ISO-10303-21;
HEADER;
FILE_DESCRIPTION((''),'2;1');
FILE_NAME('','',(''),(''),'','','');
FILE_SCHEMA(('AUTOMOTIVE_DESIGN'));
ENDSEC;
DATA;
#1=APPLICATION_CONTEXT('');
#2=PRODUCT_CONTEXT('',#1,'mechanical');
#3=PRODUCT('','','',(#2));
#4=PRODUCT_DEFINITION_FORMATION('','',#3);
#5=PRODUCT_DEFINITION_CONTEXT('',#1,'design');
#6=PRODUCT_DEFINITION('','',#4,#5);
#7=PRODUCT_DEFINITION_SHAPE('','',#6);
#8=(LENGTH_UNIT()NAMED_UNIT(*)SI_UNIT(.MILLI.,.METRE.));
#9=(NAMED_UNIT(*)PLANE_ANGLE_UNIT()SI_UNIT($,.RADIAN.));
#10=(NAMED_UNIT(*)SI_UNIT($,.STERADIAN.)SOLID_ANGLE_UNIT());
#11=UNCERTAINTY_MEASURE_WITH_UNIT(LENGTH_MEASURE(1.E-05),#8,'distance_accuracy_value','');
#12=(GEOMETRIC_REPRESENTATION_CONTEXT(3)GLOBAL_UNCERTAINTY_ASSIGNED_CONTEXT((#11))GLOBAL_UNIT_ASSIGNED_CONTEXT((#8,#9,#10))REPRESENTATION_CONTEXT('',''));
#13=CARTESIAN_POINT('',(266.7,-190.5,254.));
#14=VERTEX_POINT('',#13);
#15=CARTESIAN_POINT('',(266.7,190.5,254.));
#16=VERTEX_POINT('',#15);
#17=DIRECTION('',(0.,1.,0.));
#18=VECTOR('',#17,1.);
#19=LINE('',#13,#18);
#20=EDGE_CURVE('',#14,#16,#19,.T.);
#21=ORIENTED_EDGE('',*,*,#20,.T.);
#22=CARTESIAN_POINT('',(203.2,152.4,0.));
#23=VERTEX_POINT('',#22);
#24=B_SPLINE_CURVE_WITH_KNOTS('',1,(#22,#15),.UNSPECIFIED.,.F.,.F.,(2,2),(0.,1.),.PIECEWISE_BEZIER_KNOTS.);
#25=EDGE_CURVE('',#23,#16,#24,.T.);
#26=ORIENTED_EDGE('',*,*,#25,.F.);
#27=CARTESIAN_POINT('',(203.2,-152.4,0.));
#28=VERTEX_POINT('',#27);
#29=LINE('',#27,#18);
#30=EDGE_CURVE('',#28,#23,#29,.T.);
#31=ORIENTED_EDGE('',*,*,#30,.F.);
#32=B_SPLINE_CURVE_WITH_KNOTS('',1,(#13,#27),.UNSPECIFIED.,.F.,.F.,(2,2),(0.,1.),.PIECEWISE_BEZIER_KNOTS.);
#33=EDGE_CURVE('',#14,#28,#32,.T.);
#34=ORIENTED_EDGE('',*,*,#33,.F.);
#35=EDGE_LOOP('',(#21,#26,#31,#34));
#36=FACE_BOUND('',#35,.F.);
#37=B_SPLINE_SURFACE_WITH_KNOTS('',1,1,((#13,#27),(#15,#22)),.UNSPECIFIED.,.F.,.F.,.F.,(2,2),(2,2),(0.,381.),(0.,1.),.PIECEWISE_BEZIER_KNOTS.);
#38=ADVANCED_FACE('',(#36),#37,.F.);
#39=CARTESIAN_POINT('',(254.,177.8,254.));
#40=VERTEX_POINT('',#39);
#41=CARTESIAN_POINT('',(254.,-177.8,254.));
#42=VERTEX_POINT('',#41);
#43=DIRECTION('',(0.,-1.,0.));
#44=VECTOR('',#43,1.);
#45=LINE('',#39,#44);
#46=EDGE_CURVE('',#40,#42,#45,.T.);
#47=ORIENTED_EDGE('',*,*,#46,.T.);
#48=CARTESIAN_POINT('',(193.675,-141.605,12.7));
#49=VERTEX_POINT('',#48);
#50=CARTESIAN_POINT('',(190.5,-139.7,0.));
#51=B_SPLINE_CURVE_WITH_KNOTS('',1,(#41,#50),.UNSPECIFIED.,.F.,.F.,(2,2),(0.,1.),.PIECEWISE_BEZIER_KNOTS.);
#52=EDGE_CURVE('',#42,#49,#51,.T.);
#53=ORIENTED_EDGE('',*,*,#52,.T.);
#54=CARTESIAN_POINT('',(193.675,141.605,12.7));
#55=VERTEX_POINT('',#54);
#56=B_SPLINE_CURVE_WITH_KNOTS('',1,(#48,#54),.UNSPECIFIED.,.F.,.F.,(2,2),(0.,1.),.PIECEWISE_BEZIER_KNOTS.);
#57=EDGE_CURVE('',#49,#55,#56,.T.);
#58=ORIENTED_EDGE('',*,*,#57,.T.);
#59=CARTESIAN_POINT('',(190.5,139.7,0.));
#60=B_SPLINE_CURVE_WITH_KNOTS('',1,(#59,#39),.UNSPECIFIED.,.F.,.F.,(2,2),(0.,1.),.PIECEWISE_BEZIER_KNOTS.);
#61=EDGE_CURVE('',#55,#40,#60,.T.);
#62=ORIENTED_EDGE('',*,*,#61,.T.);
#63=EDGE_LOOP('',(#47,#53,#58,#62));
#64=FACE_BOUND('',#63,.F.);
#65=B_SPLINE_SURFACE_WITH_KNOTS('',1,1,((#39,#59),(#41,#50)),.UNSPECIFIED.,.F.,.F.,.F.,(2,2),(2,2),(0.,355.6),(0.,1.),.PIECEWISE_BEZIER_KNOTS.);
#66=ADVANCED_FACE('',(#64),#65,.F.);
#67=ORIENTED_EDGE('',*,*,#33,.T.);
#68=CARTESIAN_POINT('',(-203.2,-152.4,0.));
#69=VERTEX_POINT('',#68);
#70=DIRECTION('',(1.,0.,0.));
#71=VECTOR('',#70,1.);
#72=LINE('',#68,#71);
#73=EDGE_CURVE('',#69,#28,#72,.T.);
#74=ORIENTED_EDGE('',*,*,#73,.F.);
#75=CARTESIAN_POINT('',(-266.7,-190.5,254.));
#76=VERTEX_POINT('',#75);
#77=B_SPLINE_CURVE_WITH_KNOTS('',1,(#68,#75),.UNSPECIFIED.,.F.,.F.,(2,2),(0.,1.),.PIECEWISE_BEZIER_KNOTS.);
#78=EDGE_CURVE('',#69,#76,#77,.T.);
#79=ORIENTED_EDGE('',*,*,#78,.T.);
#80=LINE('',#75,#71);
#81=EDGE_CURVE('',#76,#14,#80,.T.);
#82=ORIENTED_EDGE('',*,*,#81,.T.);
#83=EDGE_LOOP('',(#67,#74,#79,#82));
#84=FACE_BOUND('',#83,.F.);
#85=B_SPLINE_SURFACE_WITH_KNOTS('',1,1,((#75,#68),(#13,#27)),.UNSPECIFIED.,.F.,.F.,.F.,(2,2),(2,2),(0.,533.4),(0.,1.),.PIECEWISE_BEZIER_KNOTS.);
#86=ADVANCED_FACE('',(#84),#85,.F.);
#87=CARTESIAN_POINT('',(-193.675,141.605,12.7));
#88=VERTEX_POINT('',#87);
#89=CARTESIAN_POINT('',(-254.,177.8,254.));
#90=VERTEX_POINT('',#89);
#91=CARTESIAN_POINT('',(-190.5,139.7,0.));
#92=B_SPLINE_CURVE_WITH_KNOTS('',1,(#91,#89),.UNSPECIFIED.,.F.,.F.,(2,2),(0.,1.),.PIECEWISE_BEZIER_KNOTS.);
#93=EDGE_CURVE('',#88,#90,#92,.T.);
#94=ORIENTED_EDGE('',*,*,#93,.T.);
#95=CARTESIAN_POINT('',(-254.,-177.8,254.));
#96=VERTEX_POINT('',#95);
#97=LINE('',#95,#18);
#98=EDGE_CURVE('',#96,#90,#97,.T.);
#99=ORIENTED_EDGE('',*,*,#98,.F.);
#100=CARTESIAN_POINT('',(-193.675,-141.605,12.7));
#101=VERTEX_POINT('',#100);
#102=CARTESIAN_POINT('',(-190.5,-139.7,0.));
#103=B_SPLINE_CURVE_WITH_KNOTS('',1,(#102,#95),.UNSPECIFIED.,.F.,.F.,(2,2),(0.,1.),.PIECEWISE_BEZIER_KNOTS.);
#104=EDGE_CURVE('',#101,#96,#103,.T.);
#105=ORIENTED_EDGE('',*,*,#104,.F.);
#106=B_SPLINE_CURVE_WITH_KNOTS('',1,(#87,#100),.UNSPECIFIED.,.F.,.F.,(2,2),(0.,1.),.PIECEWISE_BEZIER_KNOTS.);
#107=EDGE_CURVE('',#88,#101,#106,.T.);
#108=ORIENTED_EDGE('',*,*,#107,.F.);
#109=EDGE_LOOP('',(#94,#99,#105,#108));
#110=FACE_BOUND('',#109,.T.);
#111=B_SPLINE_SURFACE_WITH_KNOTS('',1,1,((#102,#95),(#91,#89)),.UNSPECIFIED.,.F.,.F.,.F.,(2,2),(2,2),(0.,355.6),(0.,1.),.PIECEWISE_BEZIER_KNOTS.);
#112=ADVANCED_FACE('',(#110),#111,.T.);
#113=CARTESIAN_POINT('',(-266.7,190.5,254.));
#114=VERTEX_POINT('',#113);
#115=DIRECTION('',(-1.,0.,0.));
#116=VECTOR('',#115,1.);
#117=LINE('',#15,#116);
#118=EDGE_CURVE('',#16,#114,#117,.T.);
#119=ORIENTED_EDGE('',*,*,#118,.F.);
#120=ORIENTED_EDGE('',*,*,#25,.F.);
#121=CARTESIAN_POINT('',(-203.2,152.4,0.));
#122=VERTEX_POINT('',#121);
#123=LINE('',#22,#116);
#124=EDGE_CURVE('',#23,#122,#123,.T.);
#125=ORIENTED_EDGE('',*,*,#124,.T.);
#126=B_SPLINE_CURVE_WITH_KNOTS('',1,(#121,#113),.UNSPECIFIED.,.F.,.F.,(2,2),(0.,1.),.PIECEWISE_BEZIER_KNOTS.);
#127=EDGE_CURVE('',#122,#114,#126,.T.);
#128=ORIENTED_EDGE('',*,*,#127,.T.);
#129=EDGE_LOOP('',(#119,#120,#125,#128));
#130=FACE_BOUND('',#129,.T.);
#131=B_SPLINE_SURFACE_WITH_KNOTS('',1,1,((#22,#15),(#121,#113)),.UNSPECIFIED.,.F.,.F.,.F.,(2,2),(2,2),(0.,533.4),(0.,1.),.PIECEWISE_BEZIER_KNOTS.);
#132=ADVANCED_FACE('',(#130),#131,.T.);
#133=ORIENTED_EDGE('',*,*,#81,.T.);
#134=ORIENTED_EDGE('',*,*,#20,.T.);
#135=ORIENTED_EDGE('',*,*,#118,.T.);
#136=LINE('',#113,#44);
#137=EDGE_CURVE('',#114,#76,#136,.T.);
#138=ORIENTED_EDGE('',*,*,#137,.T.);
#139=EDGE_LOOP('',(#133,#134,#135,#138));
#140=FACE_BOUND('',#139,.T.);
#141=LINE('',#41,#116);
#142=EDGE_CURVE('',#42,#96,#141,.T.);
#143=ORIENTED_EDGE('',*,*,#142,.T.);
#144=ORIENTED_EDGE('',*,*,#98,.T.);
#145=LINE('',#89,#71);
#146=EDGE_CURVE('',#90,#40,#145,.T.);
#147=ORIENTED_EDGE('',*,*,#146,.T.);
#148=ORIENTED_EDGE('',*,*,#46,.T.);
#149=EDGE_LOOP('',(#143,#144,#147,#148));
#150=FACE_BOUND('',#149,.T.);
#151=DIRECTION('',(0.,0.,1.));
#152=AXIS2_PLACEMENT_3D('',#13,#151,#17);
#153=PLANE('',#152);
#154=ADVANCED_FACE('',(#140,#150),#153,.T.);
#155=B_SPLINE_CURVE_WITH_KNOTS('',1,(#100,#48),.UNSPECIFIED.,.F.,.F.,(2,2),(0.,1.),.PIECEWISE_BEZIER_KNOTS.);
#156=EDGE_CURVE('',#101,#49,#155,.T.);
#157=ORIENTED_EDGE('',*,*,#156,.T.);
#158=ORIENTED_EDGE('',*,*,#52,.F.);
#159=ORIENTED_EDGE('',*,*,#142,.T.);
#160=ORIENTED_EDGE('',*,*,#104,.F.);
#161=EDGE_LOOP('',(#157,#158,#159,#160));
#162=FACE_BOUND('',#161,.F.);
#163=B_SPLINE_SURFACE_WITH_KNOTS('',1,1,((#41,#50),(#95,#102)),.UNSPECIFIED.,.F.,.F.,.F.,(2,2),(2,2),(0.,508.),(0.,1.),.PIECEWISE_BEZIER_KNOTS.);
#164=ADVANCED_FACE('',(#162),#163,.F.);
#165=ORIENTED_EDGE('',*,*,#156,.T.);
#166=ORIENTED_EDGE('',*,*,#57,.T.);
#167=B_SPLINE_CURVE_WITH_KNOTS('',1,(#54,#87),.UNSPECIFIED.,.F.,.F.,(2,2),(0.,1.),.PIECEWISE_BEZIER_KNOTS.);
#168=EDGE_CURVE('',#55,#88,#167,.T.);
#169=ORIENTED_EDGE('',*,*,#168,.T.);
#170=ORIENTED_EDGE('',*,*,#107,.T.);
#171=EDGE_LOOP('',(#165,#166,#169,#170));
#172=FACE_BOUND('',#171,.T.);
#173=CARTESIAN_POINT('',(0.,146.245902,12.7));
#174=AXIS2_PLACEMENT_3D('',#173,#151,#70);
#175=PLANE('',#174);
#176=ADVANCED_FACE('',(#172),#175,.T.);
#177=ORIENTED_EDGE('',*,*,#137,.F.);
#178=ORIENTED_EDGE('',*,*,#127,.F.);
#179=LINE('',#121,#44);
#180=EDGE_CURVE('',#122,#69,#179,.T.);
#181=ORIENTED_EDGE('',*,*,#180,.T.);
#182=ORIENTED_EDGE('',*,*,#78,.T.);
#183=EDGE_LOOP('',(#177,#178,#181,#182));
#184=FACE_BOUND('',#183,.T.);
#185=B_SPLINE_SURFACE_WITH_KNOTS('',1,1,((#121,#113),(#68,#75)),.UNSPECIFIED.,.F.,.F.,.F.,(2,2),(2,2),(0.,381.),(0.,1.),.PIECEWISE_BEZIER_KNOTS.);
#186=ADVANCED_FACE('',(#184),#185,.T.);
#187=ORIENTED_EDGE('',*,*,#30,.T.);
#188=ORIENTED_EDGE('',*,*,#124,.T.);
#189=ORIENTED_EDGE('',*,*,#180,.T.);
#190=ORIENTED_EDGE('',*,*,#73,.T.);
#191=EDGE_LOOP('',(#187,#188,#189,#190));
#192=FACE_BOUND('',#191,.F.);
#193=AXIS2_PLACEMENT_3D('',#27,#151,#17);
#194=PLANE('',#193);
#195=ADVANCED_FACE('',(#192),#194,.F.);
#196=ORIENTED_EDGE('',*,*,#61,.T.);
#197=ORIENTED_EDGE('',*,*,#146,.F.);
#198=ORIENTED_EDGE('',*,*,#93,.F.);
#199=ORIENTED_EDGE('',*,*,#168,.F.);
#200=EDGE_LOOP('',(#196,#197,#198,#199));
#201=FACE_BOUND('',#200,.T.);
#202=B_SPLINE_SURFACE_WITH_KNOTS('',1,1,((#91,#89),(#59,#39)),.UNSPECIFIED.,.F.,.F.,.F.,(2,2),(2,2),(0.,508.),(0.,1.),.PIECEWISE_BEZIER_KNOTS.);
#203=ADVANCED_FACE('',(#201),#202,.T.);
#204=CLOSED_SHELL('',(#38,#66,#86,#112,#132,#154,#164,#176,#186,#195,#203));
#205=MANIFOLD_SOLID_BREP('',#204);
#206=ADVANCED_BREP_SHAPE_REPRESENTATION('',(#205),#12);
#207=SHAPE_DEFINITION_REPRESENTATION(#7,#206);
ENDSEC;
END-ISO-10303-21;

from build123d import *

# Parameters (mm, degrees)
F0_W     = 381
F0_H     = 279.4
F7_DEPTH = 12.7


with BuildPart() as f3:
    # F0 (on Top) → F3 section 0
    with BuildSketch(Plane.XY):
        Polygon((203.2, 152.4), (-203.2, 152.4), (-190.5, 139.7), (190.5, 139.7), align=None)
    # F2 (on offset) → F3 section 1
    with BuildSketch(Plane.XY.offset(254)):
        Polygon((266.7, 190.5), (-266.7, 190.5), (-254, 177.8), (254, 177.8), align=None)
    loft()

    # F0 (on Top) → F4 section 0
    with BuildSketch(Plane.XY):
        Polygon((-190.5, 139.7), (-203.2, 152.4), (-203.2, -152.4), (-190.5, -139.7), align=None)
    # F2 (on offset) → F4 section 1
    with BuildSketch(Plane.XY.offset(254)):
        Polygon((-254, 177.8), (-266.7, 190.5), (-266.7, -190.5), (-254, -177.8), align=None)
    loft()

    # F2 (on offset) → F5 section 0
    with BuildSketch(Plane.XY.offset(254)):
        Polygon((-254, -177.8), (-266.7, -190.5), (266.7, -190.5), (254, -177.8), align=None)
    # F0 (on Top) → F5 section 1
    with BuildSketch(Plane.XY):
        Polygon((-190.5, -139.7), (-203.2, -152.4), (203.2, -152.4), (190.5, -139.7), align=None)
    loft()

    # F2 (on offset) → F6 section 0
    with BuildSketch(Plane.XY.offset(254)):
        Polygon((266.7, -190.5), (266.7, 190.5), (254, 177.8), (254, -177.8), align=None)
    # F0 (on Top) → F6 section 1
    with BuildSketch(Plane.XY):
        Polygon((203.2, -152.4), (203.2, 152.4), (190.5, 139.7), (190.5, -139.7), align=None)
    loft()

    # F0 (on Top) → F7 (join)
    with BuildSketch(Plane.XY):
        Polygon((203.2, 152.4), (-203.2, 152.4), (-190.5, 139.7), (190.5, 139.7), align=None)
        Polygon((-190.5, 139.7), (-203.2, 152.4), (-203.2, -152.4), (-190.5, -139.7), align=None)
        Polygon((-190.5, -139.7), (-203.2, -152.4), (203.2, -152.4), (190.5, -139.7), align=None)
        Polygon((203.2, -152.4), (203.2, 152.4), (190.5, 139.7), (190.5, -139.7), align=None)
        Rectangle(F0_W, F0_H)
    extrude(amount=F7_DEPTH)


solid = f3.part
